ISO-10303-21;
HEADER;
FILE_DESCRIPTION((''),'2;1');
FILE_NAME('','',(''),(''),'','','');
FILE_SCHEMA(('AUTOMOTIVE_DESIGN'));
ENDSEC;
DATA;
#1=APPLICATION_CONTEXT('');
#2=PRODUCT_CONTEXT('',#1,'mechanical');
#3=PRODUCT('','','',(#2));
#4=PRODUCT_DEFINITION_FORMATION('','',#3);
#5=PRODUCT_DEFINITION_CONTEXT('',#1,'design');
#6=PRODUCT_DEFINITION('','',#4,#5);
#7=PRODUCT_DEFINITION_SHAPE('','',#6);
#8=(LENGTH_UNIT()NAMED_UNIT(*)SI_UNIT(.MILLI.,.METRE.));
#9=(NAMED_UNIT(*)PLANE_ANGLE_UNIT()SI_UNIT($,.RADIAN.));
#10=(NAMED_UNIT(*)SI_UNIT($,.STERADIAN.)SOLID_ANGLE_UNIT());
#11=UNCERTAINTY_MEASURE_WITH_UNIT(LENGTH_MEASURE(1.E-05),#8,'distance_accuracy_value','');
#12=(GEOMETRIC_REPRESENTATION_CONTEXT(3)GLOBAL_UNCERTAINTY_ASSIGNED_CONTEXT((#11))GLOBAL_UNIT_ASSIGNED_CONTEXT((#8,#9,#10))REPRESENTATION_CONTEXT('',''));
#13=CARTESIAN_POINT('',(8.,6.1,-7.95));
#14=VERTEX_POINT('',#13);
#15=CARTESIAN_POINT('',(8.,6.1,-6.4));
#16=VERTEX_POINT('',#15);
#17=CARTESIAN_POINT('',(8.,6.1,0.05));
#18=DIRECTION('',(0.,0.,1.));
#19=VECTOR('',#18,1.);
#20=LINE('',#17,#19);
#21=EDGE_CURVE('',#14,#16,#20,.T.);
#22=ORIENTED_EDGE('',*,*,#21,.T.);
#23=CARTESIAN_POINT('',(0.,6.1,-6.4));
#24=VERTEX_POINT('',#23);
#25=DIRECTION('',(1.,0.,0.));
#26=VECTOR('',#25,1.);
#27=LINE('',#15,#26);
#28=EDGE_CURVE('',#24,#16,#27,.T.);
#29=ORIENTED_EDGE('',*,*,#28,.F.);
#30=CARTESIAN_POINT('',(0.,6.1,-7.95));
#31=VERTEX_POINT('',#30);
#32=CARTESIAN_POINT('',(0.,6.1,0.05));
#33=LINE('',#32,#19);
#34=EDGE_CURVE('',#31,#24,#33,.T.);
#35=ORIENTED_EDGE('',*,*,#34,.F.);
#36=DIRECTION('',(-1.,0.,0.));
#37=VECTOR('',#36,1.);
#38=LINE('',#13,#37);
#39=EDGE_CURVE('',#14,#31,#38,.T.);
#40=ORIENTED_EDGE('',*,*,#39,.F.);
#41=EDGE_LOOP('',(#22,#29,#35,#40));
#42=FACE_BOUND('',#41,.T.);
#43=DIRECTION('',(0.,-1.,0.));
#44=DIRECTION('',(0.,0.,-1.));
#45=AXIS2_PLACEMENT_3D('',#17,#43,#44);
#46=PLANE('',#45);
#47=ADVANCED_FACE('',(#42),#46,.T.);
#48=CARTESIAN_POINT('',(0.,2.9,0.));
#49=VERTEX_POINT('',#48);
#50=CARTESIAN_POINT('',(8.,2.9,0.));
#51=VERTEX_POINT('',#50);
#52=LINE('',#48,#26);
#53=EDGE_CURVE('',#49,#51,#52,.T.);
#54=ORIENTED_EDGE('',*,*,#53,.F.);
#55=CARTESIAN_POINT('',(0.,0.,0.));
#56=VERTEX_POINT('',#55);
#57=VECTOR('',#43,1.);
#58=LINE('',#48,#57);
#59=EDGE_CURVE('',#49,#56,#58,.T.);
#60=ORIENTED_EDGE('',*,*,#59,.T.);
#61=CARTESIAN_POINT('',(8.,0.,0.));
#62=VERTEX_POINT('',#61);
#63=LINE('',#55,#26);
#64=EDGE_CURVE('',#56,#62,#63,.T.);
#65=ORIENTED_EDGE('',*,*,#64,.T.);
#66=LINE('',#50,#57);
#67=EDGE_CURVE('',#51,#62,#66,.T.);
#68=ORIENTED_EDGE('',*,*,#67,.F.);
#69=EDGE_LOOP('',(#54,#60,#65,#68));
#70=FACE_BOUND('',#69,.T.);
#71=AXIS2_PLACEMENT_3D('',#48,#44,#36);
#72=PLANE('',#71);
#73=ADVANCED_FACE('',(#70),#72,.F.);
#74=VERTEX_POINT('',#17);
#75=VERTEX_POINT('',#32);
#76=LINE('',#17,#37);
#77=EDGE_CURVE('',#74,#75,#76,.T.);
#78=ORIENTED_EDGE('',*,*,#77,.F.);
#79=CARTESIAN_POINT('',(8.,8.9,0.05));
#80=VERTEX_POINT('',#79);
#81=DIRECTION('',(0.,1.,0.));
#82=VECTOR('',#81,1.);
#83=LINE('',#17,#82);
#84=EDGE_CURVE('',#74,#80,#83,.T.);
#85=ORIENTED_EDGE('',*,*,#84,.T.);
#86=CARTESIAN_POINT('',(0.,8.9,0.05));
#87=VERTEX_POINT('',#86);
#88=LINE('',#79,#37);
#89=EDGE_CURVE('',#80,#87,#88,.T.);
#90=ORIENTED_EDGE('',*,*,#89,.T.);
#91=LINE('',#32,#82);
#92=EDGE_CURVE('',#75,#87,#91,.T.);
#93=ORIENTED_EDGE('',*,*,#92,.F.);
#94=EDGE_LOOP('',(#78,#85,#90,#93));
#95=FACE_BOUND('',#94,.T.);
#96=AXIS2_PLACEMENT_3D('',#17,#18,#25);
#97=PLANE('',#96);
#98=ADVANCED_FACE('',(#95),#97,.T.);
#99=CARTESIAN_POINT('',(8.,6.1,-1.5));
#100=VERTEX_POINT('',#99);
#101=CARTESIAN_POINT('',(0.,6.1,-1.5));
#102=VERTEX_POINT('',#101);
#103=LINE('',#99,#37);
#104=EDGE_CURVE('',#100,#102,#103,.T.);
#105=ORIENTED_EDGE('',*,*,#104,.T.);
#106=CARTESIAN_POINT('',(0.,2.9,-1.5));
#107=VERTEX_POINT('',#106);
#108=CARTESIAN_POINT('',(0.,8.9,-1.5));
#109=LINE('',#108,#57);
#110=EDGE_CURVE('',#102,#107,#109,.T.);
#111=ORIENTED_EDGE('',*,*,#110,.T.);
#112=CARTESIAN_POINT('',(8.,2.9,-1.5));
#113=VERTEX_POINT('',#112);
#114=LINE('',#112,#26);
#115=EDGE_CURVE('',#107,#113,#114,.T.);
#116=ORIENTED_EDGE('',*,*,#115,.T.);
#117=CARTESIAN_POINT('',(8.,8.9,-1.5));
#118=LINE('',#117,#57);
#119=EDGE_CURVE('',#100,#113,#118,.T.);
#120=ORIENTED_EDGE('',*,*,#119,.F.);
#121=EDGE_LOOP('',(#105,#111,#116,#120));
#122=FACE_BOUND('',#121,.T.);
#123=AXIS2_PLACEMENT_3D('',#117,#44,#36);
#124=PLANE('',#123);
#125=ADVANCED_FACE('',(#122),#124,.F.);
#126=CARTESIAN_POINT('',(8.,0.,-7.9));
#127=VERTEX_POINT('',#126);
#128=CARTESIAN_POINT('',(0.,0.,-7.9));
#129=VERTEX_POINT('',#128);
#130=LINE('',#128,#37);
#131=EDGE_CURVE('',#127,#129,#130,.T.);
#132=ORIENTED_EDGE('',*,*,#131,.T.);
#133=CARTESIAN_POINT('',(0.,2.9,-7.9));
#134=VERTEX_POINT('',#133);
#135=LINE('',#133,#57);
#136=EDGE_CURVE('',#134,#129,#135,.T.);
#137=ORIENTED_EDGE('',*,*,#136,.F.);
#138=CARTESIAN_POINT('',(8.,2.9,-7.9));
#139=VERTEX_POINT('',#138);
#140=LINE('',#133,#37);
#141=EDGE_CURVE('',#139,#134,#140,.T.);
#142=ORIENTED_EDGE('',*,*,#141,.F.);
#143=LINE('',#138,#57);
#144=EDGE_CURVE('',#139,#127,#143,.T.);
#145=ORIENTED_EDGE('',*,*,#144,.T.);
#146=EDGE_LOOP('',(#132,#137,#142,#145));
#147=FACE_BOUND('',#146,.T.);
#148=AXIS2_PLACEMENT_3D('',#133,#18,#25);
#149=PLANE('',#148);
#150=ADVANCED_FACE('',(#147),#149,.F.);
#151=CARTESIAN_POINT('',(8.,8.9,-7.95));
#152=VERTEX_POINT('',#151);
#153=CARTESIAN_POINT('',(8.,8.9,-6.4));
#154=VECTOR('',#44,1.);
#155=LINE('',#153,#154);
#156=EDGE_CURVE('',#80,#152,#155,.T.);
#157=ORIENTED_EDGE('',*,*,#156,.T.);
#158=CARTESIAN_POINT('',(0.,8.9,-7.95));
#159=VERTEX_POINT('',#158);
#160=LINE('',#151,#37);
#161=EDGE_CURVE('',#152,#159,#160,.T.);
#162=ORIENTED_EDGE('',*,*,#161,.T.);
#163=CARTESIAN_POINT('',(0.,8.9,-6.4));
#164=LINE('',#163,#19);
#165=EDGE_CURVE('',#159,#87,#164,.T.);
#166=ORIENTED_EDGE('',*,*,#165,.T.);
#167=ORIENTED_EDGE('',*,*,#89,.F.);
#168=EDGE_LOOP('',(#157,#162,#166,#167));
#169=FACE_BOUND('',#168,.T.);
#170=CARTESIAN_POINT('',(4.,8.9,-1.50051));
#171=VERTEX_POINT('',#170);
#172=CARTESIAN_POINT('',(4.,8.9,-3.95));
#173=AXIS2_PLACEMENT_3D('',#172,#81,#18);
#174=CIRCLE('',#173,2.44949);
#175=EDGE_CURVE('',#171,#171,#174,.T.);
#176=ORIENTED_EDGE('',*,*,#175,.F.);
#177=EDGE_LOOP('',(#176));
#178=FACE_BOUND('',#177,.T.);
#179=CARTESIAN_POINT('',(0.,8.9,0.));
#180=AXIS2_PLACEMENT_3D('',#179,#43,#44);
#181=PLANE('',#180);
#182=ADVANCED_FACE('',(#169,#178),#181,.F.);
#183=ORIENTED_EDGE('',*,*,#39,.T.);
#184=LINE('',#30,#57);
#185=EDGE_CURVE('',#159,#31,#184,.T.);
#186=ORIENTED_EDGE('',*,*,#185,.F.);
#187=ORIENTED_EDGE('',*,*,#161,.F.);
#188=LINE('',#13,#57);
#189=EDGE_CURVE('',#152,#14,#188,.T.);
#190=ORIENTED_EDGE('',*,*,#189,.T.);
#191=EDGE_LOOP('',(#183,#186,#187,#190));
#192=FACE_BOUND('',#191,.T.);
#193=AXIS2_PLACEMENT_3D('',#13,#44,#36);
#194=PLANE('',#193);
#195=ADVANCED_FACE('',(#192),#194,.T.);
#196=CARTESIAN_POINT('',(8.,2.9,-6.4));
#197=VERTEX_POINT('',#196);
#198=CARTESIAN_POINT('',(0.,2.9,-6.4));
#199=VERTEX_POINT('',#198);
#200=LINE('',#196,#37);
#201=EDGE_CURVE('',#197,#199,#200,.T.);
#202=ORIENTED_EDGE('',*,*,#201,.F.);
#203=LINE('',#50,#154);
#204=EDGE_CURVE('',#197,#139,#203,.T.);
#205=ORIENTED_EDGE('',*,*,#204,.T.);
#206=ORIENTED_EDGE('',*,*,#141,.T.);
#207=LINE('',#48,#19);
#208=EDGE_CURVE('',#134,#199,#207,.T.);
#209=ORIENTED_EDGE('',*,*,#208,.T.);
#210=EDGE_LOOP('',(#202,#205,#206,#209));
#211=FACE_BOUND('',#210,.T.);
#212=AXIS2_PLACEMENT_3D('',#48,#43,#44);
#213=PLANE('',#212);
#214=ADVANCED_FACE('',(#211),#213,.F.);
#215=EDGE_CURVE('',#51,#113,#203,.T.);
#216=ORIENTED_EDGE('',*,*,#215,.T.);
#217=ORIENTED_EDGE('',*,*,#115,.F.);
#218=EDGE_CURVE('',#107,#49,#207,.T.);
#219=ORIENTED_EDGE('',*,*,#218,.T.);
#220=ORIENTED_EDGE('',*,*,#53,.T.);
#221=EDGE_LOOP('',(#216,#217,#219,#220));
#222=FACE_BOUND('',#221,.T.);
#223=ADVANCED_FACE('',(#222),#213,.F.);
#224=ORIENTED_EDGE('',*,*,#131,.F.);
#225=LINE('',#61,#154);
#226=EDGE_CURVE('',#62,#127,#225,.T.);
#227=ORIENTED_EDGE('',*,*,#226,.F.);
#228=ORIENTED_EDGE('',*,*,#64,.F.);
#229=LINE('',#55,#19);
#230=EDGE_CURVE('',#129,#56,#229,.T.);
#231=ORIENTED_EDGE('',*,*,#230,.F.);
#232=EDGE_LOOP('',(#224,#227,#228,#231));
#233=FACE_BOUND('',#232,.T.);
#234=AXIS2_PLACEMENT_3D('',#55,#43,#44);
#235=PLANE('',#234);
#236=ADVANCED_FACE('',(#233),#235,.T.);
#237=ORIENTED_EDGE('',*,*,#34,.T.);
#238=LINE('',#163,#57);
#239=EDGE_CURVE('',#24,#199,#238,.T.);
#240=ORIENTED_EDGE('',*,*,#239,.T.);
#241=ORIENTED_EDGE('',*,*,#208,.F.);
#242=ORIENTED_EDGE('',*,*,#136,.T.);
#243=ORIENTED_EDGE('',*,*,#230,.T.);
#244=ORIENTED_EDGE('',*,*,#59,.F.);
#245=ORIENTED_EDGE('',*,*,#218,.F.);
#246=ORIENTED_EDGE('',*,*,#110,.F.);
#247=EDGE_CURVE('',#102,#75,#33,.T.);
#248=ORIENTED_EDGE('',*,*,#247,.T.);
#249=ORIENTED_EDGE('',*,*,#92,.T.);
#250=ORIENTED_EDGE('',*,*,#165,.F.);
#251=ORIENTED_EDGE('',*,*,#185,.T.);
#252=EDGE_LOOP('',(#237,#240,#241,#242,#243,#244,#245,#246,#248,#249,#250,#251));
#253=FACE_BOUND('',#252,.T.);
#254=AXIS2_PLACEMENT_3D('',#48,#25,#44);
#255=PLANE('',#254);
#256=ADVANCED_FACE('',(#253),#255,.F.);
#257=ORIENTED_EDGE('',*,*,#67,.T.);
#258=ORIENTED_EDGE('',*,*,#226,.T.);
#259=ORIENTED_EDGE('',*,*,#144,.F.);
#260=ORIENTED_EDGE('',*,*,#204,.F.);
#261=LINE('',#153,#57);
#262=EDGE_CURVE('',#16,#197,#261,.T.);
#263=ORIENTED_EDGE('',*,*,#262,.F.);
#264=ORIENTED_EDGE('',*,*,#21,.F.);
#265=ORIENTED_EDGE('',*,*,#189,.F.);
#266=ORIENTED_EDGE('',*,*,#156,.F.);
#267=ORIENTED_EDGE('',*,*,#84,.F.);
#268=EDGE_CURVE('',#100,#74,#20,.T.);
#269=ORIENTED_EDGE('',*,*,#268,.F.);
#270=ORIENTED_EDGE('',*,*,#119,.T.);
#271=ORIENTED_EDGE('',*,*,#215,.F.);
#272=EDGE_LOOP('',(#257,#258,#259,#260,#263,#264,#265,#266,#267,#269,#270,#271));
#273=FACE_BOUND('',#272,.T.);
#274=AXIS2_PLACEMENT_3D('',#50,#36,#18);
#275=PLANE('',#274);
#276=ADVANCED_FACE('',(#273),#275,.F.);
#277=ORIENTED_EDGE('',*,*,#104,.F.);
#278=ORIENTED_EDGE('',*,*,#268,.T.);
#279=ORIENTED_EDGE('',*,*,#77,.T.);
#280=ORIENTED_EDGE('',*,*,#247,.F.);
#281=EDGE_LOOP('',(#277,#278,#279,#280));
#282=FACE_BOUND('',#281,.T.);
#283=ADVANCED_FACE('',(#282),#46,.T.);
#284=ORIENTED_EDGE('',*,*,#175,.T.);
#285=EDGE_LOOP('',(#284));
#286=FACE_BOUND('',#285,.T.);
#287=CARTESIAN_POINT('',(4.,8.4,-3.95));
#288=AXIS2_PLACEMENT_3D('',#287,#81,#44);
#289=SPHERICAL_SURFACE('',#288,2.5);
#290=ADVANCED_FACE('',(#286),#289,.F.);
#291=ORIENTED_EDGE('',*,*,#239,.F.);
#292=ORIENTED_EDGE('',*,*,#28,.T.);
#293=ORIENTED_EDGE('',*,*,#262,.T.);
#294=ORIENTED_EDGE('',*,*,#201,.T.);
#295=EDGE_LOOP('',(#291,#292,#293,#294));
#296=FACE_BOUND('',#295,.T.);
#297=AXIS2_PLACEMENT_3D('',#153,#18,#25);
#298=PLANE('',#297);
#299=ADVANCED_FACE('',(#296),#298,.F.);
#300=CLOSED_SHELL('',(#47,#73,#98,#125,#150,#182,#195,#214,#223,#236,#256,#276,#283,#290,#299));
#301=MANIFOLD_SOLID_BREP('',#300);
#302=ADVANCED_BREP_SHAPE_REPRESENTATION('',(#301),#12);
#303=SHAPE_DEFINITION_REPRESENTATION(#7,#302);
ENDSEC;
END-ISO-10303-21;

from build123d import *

# Parameters (mm, degrees)
SKETCH1_W           = 8
SKETCH1_H           = 7.9
BOSS_EXTRUDE1_DEPTH = 2.9
SKETCH2_W           = 8
SKETCH2_H           = 4.9
BOSS_EXTRUDE2_DEPTH = 6
SKETCH4_W           = 8
SKETCH4_H           = 2.8
BOSS_EXTRUDE3_DEPTH = 8


with BuildPart() as part:
    # Sketch1 → Boss-Extrude1 (new body)
    with BuildSketch(Plane(origin=(0, 0, 0), x_dir=(1, 0, 0), z_dir=(0, 1, 0))):
        with Locations((4, 3.95)):
            Rectangle(SKETCH1_W, SKETCH1_H)
    extrude(amount=BOSS_EXTRUDE1_DEPTH)

    # Sketch2 → Boss-Extrude2 (add)
    with BuildSketch(Plane(origin=(0, 2.9, 0), x_dir=(1, 0, 0), z_dir=(0, 1, 0))):
        with Locations((4, 3.95)):
            Rectangle(SKETCH2_W, SKETCH2_H)
    extrude(amount=BOSS_EXTRUDE2_DEPTH)

    # Sketch4 → Boss-Extrude3 (add, through all)
    with BuildSketch(Plane.ZY):
        with Locations((-3.95, 7.5)):
            Rectangle(SKETCH4_W, SKETCH4_H)
    extrude(amount=-BOSS_EXTRUDE3_DEPTH)

    # Sketch3 → Cut-Revolve2 (revolve, cut)
    with BuildSketch(Plane.ZY.offset(-4)):
        with BuildLine():
            Line((-3.95, 8.9), (-6.399489743, 8.9))
            ThreePointArc((-6.399489743, 8.9), (-5.886491673, 6.81886117), (-3.95, 5.9))
            Line((-3.95, 5.9), (-3.95, 8.9))
        make_face()
    revolve(axis=Axis((4, 8.9, -3.95), (0, -1, 0)), mode=Mode.SUBTRACT)


solid = part.part
